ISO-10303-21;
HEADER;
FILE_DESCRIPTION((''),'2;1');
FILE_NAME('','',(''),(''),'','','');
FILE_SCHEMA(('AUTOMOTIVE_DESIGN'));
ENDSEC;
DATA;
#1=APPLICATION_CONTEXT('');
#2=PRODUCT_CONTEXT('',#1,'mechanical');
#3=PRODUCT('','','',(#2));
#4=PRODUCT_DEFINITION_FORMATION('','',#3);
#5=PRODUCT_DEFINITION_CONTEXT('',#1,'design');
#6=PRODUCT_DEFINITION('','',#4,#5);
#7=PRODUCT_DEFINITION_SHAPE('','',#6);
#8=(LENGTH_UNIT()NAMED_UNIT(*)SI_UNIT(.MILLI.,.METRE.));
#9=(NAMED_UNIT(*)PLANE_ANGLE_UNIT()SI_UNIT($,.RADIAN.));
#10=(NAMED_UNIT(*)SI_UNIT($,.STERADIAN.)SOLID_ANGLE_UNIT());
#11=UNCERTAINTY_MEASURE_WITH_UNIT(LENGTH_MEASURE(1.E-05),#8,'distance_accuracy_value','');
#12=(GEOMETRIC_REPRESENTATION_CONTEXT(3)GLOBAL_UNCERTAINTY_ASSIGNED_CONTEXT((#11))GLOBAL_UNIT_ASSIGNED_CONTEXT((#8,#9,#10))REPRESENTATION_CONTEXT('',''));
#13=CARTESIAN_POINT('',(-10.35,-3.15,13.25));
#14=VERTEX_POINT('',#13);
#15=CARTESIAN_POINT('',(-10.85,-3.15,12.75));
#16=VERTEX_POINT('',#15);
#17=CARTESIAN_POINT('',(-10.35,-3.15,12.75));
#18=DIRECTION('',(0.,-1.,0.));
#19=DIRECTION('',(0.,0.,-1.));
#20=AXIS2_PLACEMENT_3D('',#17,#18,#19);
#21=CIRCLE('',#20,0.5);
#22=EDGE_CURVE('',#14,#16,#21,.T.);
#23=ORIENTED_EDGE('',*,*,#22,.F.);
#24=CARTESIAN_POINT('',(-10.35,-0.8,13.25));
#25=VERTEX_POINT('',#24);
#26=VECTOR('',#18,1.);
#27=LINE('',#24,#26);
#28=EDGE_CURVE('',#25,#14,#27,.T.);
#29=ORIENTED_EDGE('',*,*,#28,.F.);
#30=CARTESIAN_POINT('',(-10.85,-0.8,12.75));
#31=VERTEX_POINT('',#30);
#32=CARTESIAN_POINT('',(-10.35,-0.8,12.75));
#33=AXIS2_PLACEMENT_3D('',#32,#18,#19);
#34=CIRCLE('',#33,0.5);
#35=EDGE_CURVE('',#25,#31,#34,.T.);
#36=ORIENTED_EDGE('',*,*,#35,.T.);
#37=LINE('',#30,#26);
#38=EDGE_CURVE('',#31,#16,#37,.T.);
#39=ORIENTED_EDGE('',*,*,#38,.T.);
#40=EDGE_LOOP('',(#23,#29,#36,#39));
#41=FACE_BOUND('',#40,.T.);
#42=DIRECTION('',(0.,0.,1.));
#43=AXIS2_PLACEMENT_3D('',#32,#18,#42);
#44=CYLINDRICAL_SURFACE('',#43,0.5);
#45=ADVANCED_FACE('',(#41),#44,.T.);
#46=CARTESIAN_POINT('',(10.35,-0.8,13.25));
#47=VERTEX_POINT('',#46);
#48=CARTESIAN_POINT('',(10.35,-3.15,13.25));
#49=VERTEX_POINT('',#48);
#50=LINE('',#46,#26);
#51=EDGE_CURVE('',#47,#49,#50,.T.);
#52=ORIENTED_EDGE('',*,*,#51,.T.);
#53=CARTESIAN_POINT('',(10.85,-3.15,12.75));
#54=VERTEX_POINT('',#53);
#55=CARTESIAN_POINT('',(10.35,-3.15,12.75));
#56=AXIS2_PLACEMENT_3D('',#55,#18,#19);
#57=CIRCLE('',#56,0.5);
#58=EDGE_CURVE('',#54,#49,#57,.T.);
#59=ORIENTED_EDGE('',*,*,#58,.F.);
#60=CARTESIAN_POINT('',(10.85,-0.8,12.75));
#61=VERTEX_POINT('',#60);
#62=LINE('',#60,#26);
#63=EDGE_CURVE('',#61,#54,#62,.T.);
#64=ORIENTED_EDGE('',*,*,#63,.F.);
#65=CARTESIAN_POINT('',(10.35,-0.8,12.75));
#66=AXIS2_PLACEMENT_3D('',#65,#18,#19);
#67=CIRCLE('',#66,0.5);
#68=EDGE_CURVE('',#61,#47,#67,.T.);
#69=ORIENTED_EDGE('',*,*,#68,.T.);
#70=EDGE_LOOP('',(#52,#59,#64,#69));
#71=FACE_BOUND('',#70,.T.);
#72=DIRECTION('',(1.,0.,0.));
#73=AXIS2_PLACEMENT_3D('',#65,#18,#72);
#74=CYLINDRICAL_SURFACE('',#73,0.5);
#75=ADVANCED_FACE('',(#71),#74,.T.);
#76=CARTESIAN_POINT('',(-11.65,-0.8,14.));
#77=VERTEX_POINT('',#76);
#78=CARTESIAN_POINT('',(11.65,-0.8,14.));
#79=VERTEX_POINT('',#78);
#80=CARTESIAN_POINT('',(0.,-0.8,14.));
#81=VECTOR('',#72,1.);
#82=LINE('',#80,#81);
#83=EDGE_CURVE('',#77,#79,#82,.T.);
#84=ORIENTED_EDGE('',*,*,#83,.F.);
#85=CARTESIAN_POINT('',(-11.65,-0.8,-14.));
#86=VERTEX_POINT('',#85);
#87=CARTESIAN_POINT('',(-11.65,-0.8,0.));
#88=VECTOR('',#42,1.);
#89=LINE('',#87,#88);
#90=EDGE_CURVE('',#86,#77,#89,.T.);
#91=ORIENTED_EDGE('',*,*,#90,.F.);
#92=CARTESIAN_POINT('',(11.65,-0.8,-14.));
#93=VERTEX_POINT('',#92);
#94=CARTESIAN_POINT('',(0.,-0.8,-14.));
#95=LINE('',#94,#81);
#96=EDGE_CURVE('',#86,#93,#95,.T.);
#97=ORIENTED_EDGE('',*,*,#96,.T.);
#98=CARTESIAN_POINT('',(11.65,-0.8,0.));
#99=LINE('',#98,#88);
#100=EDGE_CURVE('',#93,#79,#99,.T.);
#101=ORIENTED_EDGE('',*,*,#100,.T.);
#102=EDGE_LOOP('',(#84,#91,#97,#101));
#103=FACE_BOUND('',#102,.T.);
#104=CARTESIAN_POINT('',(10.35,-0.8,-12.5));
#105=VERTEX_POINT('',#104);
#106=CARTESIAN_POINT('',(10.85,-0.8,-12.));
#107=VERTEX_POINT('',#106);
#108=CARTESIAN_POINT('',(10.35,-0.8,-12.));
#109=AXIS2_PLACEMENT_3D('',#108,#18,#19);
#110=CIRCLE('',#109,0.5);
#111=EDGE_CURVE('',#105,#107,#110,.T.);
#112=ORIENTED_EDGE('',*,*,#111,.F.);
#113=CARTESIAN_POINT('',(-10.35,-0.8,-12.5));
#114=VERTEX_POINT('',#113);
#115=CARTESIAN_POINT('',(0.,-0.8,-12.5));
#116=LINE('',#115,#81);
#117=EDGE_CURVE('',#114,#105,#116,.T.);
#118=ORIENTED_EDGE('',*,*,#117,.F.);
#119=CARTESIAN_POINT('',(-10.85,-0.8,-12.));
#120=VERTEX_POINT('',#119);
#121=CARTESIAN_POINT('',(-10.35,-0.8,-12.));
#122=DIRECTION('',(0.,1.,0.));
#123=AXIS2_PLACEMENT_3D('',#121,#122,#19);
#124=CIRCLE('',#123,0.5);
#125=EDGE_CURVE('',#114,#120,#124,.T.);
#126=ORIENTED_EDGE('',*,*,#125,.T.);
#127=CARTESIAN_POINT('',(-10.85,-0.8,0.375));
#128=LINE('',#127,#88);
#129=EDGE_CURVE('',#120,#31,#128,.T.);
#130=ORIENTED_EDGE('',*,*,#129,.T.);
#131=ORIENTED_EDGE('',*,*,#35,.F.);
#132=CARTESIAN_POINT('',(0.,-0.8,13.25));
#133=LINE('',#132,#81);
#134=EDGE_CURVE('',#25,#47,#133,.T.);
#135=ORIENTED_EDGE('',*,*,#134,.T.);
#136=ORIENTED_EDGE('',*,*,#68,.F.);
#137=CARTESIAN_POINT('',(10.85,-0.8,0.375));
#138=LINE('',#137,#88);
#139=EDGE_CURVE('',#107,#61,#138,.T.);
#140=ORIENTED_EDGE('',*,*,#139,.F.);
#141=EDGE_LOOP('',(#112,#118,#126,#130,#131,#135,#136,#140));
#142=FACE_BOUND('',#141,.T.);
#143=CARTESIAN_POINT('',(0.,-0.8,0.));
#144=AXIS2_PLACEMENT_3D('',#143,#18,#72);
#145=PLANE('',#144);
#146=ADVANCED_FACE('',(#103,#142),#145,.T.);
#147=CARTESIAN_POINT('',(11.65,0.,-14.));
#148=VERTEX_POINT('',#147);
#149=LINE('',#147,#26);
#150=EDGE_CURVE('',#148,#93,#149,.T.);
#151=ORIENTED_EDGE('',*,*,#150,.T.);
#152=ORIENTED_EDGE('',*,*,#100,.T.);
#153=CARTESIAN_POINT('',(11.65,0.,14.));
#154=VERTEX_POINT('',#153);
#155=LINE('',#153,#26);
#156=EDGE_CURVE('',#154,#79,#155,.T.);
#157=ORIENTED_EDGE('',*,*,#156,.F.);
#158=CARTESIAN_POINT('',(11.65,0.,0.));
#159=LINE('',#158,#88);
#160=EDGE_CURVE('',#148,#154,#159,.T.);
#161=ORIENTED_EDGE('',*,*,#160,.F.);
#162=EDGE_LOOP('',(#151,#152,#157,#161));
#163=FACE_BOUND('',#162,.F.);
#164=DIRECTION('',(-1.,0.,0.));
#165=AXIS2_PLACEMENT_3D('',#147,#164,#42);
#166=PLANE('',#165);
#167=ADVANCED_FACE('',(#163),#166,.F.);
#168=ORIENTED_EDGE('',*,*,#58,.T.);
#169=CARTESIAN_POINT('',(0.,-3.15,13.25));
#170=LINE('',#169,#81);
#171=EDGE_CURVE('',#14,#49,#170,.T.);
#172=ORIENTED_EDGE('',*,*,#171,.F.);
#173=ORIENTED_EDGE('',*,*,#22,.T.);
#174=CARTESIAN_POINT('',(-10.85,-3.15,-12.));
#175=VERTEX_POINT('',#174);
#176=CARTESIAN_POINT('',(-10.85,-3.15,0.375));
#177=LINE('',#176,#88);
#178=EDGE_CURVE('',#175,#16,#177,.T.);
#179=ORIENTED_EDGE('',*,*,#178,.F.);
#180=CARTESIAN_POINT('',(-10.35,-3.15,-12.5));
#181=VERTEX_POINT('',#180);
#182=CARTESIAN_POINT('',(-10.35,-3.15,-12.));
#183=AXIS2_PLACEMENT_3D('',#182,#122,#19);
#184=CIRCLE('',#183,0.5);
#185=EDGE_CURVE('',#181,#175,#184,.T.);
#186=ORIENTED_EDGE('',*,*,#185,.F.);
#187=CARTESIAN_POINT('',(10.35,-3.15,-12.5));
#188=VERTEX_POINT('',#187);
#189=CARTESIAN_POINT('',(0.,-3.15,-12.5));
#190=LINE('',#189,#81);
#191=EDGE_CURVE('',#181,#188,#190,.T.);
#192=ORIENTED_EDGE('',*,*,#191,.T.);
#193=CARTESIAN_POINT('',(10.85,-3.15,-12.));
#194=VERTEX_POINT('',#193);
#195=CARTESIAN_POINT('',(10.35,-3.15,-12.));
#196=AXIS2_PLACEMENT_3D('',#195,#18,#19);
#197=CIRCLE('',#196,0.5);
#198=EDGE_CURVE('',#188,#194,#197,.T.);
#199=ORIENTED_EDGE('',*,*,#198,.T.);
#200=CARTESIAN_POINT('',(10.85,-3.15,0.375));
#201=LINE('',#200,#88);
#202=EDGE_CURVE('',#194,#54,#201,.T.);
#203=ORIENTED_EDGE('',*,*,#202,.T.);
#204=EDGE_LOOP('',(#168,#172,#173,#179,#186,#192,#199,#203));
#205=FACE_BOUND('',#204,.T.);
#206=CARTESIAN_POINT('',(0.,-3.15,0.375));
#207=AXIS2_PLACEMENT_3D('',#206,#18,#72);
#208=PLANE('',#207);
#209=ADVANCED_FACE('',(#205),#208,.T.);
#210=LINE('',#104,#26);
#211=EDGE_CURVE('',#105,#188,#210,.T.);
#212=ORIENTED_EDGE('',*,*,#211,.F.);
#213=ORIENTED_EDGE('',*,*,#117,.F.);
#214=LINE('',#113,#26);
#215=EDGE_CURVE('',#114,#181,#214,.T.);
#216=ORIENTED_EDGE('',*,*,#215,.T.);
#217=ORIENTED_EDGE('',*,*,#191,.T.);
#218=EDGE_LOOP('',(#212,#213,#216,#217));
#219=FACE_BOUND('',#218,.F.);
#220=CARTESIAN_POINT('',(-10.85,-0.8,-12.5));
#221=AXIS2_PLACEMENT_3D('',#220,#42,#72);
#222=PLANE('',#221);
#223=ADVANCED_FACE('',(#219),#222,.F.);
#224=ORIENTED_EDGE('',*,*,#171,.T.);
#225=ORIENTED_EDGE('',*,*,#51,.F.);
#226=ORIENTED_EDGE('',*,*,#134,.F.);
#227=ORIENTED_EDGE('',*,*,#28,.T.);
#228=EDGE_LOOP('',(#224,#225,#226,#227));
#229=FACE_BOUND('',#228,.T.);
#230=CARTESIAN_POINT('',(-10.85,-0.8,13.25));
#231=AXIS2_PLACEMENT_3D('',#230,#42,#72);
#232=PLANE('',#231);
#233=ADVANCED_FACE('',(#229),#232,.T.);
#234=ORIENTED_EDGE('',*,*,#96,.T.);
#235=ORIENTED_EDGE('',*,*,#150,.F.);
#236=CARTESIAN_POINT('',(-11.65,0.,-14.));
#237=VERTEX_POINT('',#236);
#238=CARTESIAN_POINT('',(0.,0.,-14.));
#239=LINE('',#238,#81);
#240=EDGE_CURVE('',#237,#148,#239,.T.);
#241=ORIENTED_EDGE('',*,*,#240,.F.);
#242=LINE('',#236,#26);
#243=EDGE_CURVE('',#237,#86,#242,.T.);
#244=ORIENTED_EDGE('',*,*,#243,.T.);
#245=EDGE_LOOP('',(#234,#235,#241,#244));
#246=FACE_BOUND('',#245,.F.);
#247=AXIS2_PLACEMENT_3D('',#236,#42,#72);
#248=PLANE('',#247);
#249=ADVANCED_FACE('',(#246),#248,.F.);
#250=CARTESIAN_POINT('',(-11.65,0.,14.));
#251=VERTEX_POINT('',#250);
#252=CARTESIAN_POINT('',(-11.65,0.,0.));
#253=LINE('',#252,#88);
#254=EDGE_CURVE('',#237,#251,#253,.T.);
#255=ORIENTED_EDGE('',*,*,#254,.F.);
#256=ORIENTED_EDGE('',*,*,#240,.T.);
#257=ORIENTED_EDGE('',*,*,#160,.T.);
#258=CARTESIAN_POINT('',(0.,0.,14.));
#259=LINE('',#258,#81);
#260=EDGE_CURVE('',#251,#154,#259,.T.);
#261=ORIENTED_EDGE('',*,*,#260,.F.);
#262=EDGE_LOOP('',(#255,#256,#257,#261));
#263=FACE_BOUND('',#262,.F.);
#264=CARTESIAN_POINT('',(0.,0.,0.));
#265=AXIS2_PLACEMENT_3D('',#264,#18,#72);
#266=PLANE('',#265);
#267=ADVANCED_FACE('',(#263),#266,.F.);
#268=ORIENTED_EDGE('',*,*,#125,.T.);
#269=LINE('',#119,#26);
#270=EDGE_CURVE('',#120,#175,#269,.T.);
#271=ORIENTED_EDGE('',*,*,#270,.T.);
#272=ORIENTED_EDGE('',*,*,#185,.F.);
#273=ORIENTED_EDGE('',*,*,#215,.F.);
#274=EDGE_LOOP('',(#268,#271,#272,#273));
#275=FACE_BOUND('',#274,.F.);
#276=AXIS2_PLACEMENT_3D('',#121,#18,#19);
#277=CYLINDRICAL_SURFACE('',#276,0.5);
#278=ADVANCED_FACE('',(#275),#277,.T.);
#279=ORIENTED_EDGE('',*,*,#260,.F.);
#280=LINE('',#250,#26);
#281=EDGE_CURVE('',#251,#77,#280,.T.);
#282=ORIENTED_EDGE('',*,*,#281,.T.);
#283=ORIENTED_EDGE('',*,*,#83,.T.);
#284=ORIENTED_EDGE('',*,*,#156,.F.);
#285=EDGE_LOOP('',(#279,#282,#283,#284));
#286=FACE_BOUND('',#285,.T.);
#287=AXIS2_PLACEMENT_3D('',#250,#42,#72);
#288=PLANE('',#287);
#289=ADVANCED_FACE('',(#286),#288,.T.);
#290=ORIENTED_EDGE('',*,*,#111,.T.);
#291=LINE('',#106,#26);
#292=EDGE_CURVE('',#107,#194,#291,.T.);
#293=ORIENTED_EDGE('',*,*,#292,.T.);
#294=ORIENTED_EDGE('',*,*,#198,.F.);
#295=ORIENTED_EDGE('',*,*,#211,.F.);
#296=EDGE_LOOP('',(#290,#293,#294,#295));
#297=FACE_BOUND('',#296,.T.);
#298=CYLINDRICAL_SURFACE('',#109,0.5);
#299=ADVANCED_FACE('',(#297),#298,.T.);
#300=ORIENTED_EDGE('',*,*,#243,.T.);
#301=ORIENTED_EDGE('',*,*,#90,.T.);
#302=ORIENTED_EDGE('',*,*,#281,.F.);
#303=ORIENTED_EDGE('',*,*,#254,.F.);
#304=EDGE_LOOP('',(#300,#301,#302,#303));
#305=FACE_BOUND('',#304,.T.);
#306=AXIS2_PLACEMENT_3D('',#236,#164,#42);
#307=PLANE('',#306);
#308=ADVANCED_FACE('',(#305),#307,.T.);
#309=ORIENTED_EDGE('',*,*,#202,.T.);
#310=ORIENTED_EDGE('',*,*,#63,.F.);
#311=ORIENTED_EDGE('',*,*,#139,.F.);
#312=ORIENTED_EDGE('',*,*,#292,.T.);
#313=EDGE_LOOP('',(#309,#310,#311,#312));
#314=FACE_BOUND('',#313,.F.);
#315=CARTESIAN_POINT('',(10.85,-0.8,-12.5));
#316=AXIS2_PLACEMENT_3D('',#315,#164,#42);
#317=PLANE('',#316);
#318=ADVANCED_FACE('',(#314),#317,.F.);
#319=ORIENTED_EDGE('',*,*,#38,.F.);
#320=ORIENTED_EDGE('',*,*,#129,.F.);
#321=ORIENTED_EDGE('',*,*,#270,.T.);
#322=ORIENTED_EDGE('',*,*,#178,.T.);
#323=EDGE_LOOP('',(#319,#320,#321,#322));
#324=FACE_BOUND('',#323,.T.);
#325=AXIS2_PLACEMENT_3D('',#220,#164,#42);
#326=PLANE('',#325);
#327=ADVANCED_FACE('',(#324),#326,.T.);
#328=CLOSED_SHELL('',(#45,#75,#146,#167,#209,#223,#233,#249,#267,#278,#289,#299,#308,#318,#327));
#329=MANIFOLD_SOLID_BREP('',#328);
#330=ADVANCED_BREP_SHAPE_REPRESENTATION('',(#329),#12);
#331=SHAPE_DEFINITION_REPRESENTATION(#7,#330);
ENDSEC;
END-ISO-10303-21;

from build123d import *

# Parameters (mm, degrees)
F0_W     = 23.3
F0_H     = 28
F1_DEPTH = 0.8
F2_W     = 21.7
F2_H     = 25.75
F3_DEPTH = 2.35
F4_R     = 0.5


with BuildPart() as f1:
    # F0 (on Front) → F1 (new body)
    with BuildSketch(Plane.XZ):
        Rectangle(F0_W, F0_H)
    extrude(amount=F1_DEPTH)

    # F2 (on face) → F3 (join)
    with BuildSketch(Plane.XZ.offset(0.8)):
        with Locations((0, 0.375)):
            Rectangle(F2_W, F2_H)
    extrude(amount=F3_DEPTH)

    # F4
    f4_edges = [f1.edges().sort_by_distance(p)[0] for p in [
        (-10.85, -1.975, -12.5),
        (10.85, -1.975, -12.5),
        (10.85, -1.975, 13.25),
        (-10.85, -1.975, 13.25),
    ]]
    fillet(f4_edges, radius=F4_R)


solid = f1.part
